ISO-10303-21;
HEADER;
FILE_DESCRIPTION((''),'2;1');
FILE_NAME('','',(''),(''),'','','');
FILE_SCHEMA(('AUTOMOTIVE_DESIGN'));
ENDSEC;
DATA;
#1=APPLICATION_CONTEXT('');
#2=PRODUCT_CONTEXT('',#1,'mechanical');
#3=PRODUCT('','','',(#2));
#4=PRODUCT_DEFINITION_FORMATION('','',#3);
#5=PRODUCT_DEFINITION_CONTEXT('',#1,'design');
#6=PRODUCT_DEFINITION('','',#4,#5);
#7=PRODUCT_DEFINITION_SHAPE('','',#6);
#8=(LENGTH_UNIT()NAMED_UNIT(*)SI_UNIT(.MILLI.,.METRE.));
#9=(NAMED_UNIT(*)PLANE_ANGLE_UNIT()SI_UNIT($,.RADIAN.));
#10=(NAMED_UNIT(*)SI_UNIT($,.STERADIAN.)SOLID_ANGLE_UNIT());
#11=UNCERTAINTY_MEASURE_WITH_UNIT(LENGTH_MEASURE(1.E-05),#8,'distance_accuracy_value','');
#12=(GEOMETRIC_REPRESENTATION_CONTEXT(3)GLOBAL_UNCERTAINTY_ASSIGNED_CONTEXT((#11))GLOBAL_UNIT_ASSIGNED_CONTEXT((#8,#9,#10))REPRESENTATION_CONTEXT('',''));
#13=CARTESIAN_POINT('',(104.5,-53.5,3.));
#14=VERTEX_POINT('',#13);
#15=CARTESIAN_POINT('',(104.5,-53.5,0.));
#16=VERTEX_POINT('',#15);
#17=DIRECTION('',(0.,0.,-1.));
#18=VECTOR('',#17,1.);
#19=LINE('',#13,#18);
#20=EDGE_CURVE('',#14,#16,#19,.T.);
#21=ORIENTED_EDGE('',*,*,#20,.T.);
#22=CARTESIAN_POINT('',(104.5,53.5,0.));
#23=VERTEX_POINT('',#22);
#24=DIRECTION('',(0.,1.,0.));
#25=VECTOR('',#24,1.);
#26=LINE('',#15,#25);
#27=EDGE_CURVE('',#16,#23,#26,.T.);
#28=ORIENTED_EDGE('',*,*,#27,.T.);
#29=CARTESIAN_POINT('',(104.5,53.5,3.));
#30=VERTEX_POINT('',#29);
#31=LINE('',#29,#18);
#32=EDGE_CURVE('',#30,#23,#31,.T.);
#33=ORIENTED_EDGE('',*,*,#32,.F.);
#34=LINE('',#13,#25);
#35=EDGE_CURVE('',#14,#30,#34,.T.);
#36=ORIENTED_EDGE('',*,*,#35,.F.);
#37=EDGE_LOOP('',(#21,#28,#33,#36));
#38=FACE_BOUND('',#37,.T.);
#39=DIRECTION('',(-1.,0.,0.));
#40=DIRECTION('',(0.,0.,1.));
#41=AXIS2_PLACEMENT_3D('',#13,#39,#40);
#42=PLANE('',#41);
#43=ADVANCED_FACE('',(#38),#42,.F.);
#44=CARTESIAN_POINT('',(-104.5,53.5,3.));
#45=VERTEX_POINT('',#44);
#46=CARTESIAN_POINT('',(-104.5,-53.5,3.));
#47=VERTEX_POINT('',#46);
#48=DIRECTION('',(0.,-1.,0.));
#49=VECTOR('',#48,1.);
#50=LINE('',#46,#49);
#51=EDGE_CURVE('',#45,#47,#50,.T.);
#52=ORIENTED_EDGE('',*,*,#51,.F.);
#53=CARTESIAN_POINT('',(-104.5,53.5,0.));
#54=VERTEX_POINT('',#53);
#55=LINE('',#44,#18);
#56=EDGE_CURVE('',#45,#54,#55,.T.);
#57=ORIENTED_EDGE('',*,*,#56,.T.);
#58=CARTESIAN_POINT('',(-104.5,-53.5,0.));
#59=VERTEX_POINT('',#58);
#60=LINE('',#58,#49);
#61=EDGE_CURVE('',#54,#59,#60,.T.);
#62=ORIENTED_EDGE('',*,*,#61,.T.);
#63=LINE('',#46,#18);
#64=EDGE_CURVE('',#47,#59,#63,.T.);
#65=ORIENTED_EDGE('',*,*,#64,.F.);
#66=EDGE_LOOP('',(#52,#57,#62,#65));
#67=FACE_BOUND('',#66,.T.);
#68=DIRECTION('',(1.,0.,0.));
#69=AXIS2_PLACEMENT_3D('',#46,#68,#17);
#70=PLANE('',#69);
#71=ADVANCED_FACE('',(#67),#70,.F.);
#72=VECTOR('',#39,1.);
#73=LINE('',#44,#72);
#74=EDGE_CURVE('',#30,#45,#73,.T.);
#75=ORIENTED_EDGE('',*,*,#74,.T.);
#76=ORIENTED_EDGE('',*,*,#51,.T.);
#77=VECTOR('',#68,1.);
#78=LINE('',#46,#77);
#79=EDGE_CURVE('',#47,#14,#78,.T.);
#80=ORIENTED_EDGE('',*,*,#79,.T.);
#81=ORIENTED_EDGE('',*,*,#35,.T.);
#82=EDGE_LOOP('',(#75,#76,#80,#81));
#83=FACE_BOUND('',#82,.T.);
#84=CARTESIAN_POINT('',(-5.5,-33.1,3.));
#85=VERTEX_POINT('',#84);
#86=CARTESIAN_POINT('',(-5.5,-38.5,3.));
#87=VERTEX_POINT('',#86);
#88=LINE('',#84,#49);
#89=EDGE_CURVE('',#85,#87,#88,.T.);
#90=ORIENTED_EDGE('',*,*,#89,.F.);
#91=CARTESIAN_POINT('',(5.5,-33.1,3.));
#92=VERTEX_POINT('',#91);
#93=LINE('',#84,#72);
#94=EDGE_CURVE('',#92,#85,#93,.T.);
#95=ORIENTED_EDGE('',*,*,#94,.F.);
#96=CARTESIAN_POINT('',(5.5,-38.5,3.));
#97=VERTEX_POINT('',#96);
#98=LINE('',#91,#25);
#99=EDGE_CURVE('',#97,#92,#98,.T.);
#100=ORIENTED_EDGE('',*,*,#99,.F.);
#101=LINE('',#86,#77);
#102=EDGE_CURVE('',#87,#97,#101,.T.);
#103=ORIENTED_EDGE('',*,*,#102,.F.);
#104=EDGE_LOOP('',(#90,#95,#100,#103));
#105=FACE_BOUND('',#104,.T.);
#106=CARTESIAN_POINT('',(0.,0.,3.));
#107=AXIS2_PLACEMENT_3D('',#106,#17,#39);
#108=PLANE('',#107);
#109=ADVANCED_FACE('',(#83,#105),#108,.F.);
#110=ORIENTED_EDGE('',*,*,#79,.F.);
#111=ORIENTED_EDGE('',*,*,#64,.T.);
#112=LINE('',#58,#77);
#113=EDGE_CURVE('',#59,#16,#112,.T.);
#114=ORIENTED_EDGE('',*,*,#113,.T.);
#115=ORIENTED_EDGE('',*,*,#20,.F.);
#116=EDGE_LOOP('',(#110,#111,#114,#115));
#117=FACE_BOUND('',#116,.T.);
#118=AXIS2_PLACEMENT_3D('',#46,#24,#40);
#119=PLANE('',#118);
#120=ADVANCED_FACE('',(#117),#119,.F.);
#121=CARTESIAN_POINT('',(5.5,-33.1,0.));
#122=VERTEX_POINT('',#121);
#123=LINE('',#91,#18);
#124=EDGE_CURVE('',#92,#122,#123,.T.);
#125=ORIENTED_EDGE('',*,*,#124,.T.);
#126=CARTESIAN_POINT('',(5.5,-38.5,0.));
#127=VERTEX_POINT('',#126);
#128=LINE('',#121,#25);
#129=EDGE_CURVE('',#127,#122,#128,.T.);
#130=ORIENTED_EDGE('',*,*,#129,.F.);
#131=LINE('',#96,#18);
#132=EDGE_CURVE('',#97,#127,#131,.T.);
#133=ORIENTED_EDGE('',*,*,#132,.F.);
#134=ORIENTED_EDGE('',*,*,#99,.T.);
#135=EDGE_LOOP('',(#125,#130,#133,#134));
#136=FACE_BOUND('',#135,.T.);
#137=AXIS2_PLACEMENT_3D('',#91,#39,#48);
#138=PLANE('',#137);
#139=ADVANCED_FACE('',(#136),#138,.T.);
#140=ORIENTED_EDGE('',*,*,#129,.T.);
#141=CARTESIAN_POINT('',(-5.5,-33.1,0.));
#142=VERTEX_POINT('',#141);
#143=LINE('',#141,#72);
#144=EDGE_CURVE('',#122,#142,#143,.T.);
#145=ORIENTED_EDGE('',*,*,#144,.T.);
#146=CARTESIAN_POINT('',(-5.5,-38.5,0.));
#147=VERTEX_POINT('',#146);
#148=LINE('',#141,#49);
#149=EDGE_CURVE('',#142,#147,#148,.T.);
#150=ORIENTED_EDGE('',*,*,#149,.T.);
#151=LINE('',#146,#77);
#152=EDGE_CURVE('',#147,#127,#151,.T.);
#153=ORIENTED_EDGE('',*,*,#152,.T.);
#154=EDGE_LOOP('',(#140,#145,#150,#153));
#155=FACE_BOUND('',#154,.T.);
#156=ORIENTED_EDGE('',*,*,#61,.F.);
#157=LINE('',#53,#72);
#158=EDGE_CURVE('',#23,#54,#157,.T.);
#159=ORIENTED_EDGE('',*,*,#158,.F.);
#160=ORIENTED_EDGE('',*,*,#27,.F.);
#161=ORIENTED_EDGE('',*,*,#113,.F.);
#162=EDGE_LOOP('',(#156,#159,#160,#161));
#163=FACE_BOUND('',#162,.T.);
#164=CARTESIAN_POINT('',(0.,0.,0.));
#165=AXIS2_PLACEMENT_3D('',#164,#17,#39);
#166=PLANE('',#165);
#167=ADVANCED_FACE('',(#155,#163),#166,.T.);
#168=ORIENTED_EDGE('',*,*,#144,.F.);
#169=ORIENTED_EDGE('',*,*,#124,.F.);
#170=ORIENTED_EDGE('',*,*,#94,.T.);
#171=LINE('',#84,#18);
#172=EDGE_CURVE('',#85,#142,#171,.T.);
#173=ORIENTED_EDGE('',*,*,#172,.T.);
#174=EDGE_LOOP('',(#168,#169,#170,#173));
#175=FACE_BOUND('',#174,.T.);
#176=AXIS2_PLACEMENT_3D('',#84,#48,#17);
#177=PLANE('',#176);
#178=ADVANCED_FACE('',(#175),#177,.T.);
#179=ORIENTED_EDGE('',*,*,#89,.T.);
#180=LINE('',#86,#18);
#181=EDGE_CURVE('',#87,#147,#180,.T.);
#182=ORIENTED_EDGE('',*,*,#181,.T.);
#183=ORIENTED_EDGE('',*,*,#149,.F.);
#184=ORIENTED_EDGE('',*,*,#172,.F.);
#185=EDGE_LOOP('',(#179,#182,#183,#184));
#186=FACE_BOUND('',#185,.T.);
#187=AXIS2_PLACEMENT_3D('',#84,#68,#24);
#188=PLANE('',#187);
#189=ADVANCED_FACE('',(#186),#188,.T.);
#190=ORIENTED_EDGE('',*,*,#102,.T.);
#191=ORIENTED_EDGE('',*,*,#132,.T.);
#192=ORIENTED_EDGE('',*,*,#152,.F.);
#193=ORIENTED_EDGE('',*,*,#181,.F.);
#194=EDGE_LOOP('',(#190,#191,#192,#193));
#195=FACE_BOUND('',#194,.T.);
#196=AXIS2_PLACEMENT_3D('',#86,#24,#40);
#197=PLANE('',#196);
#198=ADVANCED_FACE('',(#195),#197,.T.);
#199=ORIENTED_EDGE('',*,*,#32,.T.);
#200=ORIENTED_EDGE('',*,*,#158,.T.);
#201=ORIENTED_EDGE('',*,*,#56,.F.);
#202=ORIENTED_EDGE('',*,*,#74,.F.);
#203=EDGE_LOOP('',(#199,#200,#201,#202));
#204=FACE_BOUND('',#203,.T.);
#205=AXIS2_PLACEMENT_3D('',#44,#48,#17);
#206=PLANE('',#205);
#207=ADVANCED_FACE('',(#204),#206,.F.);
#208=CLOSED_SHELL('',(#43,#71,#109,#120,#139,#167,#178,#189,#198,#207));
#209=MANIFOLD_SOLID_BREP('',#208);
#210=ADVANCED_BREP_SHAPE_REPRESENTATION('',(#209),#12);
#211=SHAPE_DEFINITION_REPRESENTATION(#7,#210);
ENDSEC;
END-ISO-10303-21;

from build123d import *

# Parameters (mm, degrees)
SKETCH1_W           = 209
SKETCH1_H           = 107
SKETCH1_W_2         = 11
SKETCH1_H_2         = 5.4
BOSS_EXTRUDE1_DEPTH = 3


with BuildPart() as part:
    # Sketch1 → Boss-Extrude1 (new body)
    with BuildSketch(Plane.XY):
        Rectangle(SKETCH1_W, SKETCH1_H)
        with Locations((0, -35.8)):
            Rectangle(SKETCH1_W_2, SKETCH1_H_2, mode=Mode.SUBTRACT)
    extrude(amount=BOSS_EXTRUDE1_DEPTH)


solid = part.part
